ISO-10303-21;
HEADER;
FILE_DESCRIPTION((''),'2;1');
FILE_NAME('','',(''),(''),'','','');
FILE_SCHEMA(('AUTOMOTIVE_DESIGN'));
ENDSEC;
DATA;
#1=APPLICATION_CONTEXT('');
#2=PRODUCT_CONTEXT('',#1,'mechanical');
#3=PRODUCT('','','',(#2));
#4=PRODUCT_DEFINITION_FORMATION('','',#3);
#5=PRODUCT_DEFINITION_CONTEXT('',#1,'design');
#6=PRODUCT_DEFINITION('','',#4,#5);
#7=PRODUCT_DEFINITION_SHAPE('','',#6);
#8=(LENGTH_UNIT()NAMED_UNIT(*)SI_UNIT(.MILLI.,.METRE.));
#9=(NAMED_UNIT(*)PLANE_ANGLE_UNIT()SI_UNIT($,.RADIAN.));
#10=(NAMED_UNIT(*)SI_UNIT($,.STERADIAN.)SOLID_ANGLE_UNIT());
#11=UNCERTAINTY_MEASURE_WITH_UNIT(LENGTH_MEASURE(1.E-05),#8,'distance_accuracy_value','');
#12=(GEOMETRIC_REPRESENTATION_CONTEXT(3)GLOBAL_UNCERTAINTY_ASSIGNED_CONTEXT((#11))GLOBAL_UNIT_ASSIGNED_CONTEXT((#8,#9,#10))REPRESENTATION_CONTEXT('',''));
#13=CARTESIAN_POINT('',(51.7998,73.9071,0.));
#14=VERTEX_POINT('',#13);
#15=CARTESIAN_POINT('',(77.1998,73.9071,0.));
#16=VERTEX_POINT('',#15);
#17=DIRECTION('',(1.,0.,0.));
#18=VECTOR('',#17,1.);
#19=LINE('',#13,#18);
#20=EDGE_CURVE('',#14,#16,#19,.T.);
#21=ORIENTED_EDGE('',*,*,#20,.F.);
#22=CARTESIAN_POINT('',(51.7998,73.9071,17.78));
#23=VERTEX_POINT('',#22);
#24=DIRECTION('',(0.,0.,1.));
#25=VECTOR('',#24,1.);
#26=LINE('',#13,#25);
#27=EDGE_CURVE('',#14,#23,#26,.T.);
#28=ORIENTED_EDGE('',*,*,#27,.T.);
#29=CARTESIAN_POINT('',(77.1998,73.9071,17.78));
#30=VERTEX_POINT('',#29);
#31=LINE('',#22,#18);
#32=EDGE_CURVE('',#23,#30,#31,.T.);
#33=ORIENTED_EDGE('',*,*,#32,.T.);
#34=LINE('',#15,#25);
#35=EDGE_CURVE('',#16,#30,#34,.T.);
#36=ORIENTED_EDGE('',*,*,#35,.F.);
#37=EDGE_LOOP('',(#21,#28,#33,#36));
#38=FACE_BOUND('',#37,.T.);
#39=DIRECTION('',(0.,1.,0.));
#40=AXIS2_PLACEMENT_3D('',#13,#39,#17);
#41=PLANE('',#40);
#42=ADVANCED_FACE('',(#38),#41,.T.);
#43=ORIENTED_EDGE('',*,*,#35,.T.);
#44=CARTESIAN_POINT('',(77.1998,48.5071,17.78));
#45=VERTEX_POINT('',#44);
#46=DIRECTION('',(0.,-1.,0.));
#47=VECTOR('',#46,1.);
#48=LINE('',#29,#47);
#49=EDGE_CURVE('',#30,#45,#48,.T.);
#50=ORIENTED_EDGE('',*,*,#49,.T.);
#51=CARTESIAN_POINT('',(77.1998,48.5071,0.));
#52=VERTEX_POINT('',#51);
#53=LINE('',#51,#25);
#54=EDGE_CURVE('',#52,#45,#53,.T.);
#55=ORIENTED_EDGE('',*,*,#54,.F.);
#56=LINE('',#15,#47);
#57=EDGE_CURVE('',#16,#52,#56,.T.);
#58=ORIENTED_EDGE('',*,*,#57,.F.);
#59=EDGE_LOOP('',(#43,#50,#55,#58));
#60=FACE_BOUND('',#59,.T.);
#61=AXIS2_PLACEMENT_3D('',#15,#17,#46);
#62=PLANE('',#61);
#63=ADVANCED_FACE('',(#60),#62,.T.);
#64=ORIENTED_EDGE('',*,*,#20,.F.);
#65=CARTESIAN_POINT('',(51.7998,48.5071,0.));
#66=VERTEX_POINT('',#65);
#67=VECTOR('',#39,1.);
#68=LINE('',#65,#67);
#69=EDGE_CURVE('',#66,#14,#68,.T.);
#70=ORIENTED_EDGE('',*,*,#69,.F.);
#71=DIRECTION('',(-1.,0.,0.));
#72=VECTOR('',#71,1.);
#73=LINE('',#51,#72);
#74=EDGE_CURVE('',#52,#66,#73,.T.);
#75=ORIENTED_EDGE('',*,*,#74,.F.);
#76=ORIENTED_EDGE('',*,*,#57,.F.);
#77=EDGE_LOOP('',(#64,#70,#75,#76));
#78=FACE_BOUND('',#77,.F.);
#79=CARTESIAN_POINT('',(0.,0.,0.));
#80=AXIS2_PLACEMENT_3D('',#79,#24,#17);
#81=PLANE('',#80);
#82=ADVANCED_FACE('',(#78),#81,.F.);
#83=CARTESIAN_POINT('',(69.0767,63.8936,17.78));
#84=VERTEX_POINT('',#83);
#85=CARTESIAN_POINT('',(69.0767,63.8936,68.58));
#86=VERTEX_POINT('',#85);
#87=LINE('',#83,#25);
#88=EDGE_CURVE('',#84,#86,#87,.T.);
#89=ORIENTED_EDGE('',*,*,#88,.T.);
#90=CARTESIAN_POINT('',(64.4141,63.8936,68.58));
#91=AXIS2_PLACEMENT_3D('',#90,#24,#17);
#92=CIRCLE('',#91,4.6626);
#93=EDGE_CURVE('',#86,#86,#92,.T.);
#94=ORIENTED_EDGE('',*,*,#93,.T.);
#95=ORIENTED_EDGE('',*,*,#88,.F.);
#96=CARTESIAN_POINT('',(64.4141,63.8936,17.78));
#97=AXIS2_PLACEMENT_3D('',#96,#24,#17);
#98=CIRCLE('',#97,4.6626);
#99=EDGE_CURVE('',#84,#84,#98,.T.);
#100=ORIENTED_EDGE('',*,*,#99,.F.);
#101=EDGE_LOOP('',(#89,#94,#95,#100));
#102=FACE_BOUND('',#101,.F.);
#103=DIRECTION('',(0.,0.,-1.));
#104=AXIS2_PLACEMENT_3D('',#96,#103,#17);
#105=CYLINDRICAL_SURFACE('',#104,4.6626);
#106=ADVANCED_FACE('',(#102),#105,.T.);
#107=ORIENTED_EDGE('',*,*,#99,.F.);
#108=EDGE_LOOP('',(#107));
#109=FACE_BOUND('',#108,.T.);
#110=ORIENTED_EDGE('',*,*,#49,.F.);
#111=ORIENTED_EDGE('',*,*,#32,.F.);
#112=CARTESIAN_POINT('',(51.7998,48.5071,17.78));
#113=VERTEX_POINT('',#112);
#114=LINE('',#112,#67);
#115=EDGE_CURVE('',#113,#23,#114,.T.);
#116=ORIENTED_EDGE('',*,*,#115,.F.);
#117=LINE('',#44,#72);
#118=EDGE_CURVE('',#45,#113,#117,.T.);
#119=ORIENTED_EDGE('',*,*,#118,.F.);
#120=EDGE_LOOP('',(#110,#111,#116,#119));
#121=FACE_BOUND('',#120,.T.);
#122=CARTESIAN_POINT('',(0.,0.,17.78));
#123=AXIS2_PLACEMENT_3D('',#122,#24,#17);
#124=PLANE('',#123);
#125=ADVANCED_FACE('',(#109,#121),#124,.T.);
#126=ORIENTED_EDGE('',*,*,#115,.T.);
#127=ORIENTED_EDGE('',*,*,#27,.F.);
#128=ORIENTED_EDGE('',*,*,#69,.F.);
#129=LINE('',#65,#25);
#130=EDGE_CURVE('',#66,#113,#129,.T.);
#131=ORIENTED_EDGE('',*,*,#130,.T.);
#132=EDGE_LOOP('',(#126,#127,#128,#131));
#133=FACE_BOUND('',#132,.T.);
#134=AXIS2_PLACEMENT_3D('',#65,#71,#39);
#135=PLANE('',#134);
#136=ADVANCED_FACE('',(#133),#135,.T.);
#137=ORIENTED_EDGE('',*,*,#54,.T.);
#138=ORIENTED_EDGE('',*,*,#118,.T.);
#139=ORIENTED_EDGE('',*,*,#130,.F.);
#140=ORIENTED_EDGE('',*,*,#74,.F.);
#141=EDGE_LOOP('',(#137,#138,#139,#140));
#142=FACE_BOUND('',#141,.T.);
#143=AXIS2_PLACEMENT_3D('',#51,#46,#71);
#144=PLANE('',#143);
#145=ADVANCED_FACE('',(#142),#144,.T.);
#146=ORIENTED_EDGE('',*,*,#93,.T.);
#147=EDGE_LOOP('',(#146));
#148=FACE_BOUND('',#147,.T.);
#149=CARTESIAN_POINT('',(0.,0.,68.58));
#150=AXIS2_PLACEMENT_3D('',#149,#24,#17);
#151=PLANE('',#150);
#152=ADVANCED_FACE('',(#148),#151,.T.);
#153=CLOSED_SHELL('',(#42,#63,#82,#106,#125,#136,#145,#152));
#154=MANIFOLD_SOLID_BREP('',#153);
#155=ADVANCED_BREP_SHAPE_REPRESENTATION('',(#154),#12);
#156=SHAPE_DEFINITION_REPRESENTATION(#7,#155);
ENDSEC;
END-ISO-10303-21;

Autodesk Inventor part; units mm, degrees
ref_plane "YZ Plane" through (0, 0, 0) normal (1, 0, 0) x (0, 1, 0)
ref_plane "XZ Plane" through (0, 0, 0) normal (0, 1, 0) x (-1, 0, 0)
ref_plane "XY Plane" through (0, 0, 0) normal (0, 0, 1) x (1, 0, 0)
sketch "Sketch3" plane through (0, 0, 0) normal (0, 0, 1) x (1, 0, 0)
  line L0 (51.7998, 73.9071) -> (77.1998, 73.9071)
  line L1 (77.1998, 73.9071) -> (77.1998, 48.5071)
  line L2 (77.1998, 48.5071) -> (51.7998, 48.5071)
  line L3 (51.7998, 48.5071) -> (51.7998, 73.9071)
  point P0 (0, 0)
  dimension "d2" = 25.4
  dimension "d3" = 25.4
extrude "Extrusion2" add sketch "Sketch3" along normal blind 17.78
sketch "Sketch4" plane through (0, 0, 17.78) normal (0, 0, 1) x (1, 0, 0)
  circle A0 centre (64.4141, 63.8936) radius 4.6626
  point P0 (0, 0)
extrude "Extrusion3" add sketch "Sketch4" along normal blind 50.8
properties part number "galvo"
